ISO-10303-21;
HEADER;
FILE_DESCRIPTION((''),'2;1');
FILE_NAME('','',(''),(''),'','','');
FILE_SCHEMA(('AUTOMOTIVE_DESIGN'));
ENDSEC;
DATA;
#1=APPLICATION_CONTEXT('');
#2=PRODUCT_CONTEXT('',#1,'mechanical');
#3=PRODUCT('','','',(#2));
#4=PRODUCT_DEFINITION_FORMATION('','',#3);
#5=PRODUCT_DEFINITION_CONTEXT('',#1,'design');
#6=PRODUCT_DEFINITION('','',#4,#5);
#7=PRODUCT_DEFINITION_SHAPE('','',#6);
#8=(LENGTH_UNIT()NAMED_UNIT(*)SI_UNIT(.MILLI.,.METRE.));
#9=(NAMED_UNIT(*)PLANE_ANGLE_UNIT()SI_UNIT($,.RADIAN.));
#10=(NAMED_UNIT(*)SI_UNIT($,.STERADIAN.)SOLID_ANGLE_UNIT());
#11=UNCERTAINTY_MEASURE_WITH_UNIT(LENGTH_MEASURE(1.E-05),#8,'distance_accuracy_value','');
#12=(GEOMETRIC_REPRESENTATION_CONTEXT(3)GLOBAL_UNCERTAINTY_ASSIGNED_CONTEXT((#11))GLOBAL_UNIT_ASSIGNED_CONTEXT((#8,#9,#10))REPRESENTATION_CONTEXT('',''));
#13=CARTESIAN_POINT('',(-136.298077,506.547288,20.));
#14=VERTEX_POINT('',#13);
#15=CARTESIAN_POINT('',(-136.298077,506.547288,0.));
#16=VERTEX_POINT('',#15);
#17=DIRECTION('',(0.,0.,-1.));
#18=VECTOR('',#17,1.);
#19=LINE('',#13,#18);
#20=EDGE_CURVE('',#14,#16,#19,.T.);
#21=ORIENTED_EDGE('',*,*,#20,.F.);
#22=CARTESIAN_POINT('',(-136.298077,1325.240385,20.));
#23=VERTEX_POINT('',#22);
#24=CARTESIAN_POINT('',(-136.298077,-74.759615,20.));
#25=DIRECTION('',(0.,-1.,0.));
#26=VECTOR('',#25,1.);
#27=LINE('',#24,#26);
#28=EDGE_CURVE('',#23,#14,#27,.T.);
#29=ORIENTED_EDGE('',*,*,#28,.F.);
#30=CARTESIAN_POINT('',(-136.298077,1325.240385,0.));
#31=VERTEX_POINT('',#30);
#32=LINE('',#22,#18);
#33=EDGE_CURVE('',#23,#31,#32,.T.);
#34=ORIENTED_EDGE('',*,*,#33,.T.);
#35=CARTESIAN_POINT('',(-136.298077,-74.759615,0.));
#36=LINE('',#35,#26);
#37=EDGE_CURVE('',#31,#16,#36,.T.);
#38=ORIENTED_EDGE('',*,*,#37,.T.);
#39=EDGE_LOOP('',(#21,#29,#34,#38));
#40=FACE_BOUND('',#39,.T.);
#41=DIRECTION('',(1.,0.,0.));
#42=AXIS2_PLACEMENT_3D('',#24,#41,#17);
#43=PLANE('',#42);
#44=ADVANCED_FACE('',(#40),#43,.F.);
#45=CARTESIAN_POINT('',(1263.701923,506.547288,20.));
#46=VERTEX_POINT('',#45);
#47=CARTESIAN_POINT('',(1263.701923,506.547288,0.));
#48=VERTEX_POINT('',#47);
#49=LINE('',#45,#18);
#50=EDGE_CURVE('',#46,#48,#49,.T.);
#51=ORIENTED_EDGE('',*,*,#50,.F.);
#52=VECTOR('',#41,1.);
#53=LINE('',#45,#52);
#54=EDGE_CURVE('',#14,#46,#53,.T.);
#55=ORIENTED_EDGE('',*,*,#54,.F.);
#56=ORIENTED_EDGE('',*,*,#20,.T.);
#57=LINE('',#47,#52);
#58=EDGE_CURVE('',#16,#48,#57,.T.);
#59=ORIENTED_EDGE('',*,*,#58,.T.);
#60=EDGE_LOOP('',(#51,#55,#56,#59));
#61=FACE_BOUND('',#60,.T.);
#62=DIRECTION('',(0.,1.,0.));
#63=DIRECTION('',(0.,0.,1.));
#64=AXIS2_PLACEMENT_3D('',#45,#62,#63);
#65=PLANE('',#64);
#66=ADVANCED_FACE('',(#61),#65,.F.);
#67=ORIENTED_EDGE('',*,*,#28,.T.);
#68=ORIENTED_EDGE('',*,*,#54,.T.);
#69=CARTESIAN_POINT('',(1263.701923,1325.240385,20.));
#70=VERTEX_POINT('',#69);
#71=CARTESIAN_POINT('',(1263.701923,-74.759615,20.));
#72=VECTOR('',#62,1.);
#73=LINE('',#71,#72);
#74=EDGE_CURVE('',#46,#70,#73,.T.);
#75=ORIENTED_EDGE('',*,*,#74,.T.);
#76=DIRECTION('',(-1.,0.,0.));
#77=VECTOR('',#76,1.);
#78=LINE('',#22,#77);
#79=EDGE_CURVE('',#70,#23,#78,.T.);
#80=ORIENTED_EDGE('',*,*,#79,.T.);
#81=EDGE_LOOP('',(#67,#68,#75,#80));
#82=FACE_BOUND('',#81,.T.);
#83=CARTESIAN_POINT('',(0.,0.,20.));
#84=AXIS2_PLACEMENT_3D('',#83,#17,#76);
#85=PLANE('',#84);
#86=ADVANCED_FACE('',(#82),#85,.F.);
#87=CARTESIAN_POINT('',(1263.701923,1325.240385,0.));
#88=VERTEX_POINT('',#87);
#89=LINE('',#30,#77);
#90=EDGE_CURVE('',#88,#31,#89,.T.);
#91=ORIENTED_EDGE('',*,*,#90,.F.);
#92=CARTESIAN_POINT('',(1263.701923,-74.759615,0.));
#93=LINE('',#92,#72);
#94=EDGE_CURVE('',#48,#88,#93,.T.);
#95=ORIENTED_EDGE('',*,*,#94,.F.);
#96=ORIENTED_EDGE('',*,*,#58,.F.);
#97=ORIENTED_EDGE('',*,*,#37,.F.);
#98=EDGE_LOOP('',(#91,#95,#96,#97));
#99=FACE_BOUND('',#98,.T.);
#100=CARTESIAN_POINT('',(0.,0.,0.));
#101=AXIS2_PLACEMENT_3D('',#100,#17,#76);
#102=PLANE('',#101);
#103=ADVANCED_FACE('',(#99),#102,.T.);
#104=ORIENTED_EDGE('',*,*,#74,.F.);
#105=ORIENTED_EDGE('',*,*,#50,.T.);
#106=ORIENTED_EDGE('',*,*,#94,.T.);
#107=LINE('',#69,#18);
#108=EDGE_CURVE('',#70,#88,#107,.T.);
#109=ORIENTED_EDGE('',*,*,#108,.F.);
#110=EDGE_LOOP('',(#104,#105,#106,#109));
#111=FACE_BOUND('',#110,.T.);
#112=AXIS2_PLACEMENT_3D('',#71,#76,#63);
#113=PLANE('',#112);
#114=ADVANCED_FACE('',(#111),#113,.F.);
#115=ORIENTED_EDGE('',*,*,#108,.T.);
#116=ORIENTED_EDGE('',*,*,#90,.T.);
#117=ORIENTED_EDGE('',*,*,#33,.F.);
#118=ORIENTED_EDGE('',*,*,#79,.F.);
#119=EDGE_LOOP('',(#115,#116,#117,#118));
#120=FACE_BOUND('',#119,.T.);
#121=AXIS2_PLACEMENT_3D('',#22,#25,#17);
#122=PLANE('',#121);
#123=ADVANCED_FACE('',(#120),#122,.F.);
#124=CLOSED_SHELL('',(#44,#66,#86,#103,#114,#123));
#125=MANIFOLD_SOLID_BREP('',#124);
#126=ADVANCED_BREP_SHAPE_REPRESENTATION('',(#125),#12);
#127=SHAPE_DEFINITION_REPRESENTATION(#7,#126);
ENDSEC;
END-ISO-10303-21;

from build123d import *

# Parameters (mm, degrees)
SKETCH1_W           = 1400
SKETCH1_H           = 1400
BOSS_EXTRUDE1_DEPTH = 20
SKETCH3_W           = 1400
SKETCH3_H           = 581.306903256
CUT_EXTRUDE1_DEPTH  = 21


with BuildPart() as part:
    # Sketch1 → Boss-Extrude1 (new body)
    with BuildSketch(Plane.XY):
        with Locations((563.701923077, 625.240384615)):
            Rectangle(SKETCH1_W, SKETCH1_H)
    extrude(amount=BOSS_EXTRUDE1_DEPTH)

    # Sketch3 → Cut-Extrude1 (cut, through all)
    with BuildSketch(Plane(origin=(0, 0, 0), x_dir=(-1, 0, 0), z_dir=(0, 0, -1))):
        with Locations((-563.701923077, 215.893836243)):
            Rectangle(SKETCH3_W, SKETCH3_H)
    extrude(amount=-CUT_EXTRUDE1_DEPTH, mode=Mode.SUBTRACT)


solid = part.part
